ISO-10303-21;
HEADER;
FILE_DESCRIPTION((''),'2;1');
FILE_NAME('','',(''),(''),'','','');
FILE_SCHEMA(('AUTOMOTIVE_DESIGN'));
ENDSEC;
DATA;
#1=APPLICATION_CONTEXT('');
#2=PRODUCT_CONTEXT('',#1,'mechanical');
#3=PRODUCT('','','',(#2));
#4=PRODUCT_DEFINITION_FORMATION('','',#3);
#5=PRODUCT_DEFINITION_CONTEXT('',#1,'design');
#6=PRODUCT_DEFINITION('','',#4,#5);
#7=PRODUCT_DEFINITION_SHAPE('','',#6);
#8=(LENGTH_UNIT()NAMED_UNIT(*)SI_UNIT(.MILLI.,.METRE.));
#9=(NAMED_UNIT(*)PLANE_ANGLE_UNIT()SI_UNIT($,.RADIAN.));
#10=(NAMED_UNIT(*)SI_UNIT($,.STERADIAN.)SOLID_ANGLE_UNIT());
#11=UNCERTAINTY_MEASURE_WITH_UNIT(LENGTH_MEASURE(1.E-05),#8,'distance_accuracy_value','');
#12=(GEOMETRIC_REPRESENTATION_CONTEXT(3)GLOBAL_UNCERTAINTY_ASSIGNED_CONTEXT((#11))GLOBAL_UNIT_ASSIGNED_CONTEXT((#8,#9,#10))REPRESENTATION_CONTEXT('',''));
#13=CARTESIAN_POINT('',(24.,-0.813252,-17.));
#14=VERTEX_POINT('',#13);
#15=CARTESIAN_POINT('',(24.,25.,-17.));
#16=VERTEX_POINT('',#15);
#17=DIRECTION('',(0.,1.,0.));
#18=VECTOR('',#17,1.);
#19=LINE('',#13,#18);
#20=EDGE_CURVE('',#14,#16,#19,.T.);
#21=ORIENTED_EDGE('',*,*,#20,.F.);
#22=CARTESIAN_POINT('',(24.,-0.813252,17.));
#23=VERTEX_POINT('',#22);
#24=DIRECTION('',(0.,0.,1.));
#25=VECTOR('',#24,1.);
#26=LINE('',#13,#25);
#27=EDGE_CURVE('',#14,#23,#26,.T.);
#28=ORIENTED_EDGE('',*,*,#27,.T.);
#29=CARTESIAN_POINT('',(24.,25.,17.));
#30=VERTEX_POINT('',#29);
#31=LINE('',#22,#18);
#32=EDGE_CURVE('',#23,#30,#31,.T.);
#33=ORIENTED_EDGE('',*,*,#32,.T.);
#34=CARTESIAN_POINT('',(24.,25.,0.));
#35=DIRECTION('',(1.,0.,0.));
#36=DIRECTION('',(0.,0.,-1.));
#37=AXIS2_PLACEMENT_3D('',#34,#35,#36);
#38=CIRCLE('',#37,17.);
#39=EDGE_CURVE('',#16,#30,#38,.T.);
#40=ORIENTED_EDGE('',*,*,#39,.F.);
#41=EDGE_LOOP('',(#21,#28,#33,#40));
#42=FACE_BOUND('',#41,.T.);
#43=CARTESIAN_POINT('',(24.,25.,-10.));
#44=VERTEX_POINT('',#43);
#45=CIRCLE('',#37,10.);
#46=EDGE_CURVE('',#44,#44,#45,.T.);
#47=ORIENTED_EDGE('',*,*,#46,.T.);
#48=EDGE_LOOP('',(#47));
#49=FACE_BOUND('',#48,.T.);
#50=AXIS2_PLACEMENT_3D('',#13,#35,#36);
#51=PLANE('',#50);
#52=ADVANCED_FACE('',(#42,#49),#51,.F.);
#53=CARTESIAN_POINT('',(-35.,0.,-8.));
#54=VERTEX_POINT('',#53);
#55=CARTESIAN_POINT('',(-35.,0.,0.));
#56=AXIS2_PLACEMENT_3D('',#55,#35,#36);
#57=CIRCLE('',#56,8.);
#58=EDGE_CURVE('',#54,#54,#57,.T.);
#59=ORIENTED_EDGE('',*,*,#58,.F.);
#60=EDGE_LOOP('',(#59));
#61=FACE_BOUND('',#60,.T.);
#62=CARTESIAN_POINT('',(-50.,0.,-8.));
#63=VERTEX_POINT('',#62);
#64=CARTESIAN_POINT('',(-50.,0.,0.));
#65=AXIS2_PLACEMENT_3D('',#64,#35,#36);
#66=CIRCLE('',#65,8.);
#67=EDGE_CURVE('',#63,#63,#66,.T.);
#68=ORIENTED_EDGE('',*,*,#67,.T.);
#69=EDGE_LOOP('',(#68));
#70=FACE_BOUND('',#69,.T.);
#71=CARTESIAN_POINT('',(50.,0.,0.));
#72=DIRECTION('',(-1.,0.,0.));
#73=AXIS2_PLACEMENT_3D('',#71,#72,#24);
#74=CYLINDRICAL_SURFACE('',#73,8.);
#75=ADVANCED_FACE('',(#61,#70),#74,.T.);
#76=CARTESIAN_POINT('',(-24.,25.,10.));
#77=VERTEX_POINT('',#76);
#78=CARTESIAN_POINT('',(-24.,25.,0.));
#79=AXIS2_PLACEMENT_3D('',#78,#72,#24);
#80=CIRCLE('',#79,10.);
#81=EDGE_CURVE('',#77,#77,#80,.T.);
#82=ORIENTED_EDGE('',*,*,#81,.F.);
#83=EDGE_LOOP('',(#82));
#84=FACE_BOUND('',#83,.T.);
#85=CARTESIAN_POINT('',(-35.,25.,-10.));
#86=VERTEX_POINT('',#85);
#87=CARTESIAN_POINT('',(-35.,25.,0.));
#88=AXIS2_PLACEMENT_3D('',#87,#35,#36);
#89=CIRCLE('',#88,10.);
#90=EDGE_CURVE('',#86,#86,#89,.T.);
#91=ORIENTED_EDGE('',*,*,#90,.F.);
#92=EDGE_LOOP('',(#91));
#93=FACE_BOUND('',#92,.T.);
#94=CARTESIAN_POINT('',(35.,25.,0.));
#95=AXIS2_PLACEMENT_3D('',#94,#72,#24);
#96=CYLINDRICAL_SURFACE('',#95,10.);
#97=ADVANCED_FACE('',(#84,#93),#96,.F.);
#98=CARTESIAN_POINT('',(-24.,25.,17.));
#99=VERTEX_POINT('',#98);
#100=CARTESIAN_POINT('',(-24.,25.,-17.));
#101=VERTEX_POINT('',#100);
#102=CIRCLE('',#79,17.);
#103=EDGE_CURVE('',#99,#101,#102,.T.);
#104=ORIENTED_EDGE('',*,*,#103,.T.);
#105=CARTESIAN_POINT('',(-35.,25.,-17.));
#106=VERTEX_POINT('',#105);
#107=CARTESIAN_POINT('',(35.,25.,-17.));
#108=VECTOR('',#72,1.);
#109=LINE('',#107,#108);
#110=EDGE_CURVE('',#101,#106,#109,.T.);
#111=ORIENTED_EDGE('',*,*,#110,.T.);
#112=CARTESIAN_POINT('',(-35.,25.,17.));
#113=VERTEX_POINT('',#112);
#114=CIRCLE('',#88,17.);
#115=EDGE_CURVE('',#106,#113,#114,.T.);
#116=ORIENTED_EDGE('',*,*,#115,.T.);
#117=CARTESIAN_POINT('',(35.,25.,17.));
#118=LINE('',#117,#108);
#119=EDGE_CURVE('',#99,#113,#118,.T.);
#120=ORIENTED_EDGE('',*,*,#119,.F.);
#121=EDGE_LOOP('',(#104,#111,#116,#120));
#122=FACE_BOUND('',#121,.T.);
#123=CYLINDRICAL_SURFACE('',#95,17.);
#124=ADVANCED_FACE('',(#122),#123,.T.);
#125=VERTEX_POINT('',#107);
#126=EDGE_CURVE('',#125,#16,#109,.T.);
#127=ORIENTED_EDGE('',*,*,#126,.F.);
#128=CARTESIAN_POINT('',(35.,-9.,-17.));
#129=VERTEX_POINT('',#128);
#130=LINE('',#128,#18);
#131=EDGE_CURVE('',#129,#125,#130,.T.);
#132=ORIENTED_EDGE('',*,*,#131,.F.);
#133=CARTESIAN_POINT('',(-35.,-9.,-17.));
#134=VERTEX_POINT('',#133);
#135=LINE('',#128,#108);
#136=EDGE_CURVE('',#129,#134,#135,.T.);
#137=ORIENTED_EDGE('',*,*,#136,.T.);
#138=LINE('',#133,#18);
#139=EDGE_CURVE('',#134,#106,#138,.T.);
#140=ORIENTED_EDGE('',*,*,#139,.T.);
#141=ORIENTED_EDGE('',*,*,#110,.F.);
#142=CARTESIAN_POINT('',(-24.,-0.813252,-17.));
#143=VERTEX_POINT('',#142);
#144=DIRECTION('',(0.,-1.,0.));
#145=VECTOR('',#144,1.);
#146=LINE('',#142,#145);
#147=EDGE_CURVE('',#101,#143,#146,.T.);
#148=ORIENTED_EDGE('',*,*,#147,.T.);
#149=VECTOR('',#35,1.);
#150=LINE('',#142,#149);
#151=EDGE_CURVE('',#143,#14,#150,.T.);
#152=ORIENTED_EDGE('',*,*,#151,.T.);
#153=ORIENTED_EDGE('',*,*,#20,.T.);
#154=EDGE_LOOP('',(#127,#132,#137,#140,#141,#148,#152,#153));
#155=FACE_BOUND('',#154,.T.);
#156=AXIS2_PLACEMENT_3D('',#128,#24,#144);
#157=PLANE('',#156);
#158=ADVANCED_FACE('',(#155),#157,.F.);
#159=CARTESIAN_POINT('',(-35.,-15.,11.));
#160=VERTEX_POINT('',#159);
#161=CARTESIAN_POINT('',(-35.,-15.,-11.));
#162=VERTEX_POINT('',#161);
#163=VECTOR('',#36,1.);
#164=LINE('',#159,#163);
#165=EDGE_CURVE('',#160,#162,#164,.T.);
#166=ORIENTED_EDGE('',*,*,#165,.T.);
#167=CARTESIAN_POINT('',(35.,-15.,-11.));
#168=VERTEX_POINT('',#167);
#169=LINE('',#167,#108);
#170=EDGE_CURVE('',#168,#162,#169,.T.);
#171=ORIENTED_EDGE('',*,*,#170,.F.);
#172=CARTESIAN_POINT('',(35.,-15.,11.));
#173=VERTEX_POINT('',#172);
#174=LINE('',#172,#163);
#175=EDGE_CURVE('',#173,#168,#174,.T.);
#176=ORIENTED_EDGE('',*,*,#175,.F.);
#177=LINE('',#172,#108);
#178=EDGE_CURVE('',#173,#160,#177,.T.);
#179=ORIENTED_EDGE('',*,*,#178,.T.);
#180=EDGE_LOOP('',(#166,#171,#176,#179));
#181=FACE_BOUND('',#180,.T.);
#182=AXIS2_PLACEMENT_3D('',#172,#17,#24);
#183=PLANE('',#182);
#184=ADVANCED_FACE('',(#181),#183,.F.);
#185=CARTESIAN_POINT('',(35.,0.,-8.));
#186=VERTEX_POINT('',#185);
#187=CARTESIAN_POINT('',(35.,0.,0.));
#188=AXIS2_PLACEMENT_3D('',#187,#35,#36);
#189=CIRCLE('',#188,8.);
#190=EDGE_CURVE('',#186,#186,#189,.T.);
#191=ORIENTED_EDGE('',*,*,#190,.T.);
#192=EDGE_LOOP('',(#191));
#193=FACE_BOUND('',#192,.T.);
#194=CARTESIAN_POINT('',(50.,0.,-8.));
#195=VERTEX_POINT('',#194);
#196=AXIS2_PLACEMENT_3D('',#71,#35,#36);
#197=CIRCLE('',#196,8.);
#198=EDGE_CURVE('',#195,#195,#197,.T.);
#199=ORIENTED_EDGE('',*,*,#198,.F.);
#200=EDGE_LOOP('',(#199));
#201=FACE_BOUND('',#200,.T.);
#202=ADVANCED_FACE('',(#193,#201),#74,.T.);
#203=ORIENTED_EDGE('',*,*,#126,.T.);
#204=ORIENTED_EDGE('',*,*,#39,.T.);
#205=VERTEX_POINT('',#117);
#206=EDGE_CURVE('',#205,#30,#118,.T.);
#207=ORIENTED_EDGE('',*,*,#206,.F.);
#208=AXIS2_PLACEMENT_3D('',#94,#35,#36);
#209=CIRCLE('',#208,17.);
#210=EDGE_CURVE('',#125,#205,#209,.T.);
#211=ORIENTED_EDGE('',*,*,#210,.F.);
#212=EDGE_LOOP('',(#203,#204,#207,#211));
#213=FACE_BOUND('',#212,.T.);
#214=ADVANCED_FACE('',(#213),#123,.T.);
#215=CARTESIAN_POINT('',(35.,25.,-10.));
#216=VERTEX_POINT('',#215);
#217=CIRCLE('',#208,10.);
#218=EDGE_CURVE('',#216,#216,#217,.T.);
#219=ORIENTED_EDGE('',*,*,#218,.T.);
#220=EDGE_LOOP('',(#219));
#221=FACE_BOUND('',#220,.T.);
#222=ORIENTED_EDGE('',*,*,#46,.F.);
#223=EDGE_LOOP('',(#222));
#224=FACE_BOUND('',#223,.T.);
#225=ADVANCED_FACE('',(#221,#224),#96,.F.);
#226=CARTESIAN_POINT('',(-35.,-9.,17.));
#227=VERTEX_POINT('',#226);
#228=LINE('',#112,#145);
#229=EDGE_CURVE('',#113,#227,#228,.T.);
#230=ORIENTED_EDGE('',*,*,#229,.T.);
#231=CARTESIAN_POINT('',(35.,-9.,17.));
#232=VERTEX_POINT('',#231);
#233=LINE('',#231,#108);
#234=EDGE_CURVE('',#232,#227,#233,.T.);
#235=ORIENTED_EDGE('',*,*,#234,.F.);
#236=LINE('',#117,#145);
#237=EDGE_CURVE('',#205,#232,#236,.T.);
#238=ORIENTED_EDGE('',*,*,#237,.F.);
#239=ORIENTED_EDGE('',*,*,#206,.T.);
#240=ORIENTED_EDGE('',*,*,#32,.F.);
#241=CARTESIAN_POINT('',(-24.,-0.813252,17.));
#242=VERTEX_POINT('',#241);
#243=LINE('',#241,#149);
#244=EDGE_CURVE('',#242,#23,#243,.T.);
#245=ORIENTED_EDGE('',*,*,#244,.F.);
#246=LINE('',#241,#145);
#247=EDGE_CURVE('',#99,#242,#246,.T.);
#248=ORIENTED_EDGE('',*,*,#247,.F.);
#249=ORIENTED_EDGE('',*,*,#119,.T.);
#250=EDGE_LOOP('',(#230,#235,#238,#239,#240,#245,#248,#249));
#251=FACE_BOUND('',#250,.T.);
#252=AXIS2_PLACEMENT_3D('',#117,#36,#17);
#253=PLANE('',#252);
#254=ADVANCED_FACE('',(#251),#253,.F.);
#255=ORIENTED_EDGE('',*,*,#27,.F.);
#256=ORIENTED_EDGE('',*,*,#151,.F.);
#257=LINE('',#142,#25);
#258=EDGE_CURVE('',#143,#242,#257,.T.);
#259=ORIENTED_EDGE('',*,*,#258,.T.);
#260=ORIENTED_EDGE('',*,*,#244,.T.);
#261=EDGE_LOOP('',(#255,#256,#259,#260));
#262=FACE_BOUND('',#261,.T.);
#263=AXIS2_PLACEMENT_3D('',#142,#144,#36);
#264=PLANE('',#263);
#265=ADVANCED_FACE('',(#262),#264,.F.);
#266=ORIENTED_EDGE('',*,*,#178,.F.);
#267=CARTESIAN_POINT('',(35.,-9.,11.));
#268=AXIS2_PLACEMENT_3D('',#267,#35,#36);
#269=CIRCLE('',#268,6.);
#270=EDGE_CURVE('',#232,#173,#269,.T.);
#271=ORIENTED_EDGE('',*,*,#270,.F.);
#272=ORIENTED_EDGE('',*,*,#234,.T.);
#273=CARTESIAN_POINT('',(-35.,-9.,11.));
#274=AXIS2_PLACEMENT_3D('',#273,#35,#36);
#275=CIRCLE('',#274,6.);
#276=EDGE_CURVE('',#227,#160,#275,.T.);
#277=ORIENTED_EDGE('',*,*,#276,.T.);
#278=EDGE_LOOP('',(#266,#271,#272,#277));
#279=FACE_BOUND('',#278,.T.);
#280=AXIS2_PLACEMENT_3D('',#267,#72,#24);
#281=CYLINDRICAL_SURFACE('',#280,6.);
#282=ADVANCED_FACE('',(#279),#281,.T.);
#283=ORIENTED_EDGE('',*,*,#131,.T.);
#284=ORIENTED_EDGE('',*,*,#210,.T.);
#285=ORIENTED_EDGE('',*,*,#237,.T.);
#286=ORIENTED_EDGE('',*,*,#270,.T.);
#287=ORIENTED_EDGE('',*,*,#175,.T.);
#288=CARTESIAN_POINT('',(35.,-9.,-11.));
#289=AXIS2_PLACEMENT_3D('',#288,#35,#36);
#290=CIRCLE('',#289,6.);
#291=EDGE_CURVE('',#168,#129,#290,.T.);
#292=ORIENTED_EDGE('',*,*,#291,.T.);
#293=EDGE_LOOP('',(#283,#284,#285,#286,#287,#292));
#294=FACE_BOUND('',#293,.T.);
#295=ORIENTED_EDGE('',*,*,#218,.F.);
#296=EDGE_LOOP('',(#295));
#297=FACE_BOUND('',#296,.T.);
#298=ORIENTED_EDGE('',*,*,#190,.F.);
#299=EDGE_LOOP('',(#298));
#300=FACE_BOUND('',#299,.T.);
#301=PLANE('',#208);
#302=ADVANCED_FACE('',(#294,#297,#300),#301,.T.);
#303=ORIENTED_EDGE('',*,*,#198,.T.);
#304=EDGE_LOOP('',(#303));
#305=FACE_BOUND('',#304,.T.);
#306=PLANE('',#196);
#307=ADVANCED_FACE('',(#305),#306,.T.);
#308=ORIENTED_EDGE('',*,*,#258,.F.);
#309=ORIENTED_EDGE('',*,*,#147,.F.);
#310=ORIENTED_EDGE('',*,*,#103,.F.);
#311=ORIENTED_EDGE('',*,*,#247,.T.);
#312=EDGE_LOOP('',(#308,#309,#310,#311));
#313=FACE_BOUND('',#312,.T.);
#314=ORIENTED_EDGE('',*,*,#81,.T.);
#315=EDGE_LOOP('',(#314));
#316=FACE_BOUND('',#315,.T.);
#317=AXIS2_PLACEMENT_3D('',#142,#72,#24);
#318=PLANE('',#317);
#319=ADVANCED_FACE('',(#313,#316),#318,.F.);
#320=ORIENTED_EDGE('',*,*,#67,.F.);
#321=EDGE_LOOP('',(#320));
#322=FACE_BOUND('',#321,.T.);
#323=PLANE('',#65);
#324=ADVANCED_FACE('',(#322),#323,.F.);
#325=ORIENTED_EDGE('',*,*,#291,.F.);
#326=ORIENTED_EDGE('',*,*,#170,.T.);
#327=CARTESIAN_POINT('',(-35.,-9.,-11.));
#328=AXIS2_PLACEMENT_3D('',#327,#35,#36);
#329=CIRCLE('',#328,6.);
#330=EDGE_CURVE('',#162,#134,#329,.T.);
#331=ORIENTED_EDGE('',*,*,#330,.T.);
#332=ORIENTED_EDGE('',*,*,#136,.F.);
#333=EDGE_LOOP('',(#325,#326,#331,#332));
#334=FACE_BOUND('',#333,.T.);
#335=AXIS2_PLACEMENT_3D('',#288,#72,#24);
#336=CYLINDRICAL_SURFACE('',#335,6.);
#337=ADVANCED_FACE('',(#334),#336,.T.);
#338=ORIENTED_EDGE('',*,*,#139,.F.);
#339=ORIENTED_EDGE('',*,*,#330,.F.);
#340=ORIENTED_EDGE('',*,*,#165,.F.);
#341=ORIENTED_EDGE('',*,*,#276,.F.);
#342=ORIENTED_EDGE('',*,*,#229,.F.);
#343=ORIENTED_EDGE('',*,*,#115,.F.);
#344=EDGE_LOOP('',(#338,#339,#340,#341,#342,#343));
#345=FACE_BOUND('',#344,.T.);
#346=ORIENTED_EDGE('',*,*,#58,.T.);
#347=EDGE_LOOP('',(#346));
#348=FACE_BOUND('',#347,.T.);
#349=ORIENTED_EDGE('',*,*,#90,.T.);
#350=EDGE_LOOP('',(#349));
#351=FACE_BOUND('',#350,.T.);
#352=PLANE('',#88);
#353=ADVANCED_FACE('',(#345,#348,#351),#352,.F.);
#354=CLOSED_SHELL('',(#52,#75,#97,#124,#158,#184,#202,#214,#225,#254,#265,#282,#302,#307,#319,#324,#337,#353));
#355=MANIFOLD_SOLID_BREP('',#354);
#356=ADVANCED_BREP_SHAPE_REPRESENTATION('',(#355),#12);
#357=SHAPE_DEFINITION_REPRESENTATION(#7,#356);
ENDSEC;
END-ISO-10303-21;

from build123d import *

# Parameters (mm, degrees)
SKETCH1_R           = 8
BOSS_EXTRUDE1_DEPTH = 50
SKETCH2_R           = 10
BOSS_EXTRUDE2_DEPTH = 35
SKETCH5_W           = 48
SKETCH5_H           = 42.813252044
CUT_EXTRUDE1_DEPTH  = 35


with BuildPart() as part:
    # Sketch1 → Boss-Extrude1 (new body, symmetric)
    with BuildSketch(Plane(origin=(0, 0, 0), x_dir=(0, 0, -1), z_dir=(1, 0, 0))):
        Circle(SKETCH1_R)
    extrude(amount=BOSS_EXTRUDE1_DEPTH, both=True)

    # Sketch2 → Boss-Extrude2 (add, symmetric)
    with BuildSketch(Plane(origin=(0, 0, 0), x_dir=(0, 0, -1), z_dir=(1, 0, 0))):
        with BuildLine():
            Line((-11, -15), (11, -15))
            ThreePointArc((11, -15), (15.242640687, -13.242640687), (17, -9))
            Line((17, -9), (17, 25))
            ThreePointArc((17, 25), (0, 42), (-17, 25))
            Line((-17, 25), (-17, -9))
            ThreePointArc((-17, -9), (-15.242640687, -13.242640687), (-11, -15))
        make_face()
        with Locations((0, 25)):
            Circle(SKETCH2_R, mode=Mode.SUBTRACT)
    extrude(amount=BOSS_EXTRUDE2_DEPTH, both=True)

    # Sketch5 → Cut-Extrude1 (cut, through all)
    with BuildSketch(Plane.XY.offset(17)):
        with Locations((0, 20.593373978)):
            Rectangle(SKETCH5_W, SKETCH5_H)
    extrude(amount=-CUT_EXTRUDE1_DEPTH, mode=Mode.SUBTRACT)


solid = part.part
